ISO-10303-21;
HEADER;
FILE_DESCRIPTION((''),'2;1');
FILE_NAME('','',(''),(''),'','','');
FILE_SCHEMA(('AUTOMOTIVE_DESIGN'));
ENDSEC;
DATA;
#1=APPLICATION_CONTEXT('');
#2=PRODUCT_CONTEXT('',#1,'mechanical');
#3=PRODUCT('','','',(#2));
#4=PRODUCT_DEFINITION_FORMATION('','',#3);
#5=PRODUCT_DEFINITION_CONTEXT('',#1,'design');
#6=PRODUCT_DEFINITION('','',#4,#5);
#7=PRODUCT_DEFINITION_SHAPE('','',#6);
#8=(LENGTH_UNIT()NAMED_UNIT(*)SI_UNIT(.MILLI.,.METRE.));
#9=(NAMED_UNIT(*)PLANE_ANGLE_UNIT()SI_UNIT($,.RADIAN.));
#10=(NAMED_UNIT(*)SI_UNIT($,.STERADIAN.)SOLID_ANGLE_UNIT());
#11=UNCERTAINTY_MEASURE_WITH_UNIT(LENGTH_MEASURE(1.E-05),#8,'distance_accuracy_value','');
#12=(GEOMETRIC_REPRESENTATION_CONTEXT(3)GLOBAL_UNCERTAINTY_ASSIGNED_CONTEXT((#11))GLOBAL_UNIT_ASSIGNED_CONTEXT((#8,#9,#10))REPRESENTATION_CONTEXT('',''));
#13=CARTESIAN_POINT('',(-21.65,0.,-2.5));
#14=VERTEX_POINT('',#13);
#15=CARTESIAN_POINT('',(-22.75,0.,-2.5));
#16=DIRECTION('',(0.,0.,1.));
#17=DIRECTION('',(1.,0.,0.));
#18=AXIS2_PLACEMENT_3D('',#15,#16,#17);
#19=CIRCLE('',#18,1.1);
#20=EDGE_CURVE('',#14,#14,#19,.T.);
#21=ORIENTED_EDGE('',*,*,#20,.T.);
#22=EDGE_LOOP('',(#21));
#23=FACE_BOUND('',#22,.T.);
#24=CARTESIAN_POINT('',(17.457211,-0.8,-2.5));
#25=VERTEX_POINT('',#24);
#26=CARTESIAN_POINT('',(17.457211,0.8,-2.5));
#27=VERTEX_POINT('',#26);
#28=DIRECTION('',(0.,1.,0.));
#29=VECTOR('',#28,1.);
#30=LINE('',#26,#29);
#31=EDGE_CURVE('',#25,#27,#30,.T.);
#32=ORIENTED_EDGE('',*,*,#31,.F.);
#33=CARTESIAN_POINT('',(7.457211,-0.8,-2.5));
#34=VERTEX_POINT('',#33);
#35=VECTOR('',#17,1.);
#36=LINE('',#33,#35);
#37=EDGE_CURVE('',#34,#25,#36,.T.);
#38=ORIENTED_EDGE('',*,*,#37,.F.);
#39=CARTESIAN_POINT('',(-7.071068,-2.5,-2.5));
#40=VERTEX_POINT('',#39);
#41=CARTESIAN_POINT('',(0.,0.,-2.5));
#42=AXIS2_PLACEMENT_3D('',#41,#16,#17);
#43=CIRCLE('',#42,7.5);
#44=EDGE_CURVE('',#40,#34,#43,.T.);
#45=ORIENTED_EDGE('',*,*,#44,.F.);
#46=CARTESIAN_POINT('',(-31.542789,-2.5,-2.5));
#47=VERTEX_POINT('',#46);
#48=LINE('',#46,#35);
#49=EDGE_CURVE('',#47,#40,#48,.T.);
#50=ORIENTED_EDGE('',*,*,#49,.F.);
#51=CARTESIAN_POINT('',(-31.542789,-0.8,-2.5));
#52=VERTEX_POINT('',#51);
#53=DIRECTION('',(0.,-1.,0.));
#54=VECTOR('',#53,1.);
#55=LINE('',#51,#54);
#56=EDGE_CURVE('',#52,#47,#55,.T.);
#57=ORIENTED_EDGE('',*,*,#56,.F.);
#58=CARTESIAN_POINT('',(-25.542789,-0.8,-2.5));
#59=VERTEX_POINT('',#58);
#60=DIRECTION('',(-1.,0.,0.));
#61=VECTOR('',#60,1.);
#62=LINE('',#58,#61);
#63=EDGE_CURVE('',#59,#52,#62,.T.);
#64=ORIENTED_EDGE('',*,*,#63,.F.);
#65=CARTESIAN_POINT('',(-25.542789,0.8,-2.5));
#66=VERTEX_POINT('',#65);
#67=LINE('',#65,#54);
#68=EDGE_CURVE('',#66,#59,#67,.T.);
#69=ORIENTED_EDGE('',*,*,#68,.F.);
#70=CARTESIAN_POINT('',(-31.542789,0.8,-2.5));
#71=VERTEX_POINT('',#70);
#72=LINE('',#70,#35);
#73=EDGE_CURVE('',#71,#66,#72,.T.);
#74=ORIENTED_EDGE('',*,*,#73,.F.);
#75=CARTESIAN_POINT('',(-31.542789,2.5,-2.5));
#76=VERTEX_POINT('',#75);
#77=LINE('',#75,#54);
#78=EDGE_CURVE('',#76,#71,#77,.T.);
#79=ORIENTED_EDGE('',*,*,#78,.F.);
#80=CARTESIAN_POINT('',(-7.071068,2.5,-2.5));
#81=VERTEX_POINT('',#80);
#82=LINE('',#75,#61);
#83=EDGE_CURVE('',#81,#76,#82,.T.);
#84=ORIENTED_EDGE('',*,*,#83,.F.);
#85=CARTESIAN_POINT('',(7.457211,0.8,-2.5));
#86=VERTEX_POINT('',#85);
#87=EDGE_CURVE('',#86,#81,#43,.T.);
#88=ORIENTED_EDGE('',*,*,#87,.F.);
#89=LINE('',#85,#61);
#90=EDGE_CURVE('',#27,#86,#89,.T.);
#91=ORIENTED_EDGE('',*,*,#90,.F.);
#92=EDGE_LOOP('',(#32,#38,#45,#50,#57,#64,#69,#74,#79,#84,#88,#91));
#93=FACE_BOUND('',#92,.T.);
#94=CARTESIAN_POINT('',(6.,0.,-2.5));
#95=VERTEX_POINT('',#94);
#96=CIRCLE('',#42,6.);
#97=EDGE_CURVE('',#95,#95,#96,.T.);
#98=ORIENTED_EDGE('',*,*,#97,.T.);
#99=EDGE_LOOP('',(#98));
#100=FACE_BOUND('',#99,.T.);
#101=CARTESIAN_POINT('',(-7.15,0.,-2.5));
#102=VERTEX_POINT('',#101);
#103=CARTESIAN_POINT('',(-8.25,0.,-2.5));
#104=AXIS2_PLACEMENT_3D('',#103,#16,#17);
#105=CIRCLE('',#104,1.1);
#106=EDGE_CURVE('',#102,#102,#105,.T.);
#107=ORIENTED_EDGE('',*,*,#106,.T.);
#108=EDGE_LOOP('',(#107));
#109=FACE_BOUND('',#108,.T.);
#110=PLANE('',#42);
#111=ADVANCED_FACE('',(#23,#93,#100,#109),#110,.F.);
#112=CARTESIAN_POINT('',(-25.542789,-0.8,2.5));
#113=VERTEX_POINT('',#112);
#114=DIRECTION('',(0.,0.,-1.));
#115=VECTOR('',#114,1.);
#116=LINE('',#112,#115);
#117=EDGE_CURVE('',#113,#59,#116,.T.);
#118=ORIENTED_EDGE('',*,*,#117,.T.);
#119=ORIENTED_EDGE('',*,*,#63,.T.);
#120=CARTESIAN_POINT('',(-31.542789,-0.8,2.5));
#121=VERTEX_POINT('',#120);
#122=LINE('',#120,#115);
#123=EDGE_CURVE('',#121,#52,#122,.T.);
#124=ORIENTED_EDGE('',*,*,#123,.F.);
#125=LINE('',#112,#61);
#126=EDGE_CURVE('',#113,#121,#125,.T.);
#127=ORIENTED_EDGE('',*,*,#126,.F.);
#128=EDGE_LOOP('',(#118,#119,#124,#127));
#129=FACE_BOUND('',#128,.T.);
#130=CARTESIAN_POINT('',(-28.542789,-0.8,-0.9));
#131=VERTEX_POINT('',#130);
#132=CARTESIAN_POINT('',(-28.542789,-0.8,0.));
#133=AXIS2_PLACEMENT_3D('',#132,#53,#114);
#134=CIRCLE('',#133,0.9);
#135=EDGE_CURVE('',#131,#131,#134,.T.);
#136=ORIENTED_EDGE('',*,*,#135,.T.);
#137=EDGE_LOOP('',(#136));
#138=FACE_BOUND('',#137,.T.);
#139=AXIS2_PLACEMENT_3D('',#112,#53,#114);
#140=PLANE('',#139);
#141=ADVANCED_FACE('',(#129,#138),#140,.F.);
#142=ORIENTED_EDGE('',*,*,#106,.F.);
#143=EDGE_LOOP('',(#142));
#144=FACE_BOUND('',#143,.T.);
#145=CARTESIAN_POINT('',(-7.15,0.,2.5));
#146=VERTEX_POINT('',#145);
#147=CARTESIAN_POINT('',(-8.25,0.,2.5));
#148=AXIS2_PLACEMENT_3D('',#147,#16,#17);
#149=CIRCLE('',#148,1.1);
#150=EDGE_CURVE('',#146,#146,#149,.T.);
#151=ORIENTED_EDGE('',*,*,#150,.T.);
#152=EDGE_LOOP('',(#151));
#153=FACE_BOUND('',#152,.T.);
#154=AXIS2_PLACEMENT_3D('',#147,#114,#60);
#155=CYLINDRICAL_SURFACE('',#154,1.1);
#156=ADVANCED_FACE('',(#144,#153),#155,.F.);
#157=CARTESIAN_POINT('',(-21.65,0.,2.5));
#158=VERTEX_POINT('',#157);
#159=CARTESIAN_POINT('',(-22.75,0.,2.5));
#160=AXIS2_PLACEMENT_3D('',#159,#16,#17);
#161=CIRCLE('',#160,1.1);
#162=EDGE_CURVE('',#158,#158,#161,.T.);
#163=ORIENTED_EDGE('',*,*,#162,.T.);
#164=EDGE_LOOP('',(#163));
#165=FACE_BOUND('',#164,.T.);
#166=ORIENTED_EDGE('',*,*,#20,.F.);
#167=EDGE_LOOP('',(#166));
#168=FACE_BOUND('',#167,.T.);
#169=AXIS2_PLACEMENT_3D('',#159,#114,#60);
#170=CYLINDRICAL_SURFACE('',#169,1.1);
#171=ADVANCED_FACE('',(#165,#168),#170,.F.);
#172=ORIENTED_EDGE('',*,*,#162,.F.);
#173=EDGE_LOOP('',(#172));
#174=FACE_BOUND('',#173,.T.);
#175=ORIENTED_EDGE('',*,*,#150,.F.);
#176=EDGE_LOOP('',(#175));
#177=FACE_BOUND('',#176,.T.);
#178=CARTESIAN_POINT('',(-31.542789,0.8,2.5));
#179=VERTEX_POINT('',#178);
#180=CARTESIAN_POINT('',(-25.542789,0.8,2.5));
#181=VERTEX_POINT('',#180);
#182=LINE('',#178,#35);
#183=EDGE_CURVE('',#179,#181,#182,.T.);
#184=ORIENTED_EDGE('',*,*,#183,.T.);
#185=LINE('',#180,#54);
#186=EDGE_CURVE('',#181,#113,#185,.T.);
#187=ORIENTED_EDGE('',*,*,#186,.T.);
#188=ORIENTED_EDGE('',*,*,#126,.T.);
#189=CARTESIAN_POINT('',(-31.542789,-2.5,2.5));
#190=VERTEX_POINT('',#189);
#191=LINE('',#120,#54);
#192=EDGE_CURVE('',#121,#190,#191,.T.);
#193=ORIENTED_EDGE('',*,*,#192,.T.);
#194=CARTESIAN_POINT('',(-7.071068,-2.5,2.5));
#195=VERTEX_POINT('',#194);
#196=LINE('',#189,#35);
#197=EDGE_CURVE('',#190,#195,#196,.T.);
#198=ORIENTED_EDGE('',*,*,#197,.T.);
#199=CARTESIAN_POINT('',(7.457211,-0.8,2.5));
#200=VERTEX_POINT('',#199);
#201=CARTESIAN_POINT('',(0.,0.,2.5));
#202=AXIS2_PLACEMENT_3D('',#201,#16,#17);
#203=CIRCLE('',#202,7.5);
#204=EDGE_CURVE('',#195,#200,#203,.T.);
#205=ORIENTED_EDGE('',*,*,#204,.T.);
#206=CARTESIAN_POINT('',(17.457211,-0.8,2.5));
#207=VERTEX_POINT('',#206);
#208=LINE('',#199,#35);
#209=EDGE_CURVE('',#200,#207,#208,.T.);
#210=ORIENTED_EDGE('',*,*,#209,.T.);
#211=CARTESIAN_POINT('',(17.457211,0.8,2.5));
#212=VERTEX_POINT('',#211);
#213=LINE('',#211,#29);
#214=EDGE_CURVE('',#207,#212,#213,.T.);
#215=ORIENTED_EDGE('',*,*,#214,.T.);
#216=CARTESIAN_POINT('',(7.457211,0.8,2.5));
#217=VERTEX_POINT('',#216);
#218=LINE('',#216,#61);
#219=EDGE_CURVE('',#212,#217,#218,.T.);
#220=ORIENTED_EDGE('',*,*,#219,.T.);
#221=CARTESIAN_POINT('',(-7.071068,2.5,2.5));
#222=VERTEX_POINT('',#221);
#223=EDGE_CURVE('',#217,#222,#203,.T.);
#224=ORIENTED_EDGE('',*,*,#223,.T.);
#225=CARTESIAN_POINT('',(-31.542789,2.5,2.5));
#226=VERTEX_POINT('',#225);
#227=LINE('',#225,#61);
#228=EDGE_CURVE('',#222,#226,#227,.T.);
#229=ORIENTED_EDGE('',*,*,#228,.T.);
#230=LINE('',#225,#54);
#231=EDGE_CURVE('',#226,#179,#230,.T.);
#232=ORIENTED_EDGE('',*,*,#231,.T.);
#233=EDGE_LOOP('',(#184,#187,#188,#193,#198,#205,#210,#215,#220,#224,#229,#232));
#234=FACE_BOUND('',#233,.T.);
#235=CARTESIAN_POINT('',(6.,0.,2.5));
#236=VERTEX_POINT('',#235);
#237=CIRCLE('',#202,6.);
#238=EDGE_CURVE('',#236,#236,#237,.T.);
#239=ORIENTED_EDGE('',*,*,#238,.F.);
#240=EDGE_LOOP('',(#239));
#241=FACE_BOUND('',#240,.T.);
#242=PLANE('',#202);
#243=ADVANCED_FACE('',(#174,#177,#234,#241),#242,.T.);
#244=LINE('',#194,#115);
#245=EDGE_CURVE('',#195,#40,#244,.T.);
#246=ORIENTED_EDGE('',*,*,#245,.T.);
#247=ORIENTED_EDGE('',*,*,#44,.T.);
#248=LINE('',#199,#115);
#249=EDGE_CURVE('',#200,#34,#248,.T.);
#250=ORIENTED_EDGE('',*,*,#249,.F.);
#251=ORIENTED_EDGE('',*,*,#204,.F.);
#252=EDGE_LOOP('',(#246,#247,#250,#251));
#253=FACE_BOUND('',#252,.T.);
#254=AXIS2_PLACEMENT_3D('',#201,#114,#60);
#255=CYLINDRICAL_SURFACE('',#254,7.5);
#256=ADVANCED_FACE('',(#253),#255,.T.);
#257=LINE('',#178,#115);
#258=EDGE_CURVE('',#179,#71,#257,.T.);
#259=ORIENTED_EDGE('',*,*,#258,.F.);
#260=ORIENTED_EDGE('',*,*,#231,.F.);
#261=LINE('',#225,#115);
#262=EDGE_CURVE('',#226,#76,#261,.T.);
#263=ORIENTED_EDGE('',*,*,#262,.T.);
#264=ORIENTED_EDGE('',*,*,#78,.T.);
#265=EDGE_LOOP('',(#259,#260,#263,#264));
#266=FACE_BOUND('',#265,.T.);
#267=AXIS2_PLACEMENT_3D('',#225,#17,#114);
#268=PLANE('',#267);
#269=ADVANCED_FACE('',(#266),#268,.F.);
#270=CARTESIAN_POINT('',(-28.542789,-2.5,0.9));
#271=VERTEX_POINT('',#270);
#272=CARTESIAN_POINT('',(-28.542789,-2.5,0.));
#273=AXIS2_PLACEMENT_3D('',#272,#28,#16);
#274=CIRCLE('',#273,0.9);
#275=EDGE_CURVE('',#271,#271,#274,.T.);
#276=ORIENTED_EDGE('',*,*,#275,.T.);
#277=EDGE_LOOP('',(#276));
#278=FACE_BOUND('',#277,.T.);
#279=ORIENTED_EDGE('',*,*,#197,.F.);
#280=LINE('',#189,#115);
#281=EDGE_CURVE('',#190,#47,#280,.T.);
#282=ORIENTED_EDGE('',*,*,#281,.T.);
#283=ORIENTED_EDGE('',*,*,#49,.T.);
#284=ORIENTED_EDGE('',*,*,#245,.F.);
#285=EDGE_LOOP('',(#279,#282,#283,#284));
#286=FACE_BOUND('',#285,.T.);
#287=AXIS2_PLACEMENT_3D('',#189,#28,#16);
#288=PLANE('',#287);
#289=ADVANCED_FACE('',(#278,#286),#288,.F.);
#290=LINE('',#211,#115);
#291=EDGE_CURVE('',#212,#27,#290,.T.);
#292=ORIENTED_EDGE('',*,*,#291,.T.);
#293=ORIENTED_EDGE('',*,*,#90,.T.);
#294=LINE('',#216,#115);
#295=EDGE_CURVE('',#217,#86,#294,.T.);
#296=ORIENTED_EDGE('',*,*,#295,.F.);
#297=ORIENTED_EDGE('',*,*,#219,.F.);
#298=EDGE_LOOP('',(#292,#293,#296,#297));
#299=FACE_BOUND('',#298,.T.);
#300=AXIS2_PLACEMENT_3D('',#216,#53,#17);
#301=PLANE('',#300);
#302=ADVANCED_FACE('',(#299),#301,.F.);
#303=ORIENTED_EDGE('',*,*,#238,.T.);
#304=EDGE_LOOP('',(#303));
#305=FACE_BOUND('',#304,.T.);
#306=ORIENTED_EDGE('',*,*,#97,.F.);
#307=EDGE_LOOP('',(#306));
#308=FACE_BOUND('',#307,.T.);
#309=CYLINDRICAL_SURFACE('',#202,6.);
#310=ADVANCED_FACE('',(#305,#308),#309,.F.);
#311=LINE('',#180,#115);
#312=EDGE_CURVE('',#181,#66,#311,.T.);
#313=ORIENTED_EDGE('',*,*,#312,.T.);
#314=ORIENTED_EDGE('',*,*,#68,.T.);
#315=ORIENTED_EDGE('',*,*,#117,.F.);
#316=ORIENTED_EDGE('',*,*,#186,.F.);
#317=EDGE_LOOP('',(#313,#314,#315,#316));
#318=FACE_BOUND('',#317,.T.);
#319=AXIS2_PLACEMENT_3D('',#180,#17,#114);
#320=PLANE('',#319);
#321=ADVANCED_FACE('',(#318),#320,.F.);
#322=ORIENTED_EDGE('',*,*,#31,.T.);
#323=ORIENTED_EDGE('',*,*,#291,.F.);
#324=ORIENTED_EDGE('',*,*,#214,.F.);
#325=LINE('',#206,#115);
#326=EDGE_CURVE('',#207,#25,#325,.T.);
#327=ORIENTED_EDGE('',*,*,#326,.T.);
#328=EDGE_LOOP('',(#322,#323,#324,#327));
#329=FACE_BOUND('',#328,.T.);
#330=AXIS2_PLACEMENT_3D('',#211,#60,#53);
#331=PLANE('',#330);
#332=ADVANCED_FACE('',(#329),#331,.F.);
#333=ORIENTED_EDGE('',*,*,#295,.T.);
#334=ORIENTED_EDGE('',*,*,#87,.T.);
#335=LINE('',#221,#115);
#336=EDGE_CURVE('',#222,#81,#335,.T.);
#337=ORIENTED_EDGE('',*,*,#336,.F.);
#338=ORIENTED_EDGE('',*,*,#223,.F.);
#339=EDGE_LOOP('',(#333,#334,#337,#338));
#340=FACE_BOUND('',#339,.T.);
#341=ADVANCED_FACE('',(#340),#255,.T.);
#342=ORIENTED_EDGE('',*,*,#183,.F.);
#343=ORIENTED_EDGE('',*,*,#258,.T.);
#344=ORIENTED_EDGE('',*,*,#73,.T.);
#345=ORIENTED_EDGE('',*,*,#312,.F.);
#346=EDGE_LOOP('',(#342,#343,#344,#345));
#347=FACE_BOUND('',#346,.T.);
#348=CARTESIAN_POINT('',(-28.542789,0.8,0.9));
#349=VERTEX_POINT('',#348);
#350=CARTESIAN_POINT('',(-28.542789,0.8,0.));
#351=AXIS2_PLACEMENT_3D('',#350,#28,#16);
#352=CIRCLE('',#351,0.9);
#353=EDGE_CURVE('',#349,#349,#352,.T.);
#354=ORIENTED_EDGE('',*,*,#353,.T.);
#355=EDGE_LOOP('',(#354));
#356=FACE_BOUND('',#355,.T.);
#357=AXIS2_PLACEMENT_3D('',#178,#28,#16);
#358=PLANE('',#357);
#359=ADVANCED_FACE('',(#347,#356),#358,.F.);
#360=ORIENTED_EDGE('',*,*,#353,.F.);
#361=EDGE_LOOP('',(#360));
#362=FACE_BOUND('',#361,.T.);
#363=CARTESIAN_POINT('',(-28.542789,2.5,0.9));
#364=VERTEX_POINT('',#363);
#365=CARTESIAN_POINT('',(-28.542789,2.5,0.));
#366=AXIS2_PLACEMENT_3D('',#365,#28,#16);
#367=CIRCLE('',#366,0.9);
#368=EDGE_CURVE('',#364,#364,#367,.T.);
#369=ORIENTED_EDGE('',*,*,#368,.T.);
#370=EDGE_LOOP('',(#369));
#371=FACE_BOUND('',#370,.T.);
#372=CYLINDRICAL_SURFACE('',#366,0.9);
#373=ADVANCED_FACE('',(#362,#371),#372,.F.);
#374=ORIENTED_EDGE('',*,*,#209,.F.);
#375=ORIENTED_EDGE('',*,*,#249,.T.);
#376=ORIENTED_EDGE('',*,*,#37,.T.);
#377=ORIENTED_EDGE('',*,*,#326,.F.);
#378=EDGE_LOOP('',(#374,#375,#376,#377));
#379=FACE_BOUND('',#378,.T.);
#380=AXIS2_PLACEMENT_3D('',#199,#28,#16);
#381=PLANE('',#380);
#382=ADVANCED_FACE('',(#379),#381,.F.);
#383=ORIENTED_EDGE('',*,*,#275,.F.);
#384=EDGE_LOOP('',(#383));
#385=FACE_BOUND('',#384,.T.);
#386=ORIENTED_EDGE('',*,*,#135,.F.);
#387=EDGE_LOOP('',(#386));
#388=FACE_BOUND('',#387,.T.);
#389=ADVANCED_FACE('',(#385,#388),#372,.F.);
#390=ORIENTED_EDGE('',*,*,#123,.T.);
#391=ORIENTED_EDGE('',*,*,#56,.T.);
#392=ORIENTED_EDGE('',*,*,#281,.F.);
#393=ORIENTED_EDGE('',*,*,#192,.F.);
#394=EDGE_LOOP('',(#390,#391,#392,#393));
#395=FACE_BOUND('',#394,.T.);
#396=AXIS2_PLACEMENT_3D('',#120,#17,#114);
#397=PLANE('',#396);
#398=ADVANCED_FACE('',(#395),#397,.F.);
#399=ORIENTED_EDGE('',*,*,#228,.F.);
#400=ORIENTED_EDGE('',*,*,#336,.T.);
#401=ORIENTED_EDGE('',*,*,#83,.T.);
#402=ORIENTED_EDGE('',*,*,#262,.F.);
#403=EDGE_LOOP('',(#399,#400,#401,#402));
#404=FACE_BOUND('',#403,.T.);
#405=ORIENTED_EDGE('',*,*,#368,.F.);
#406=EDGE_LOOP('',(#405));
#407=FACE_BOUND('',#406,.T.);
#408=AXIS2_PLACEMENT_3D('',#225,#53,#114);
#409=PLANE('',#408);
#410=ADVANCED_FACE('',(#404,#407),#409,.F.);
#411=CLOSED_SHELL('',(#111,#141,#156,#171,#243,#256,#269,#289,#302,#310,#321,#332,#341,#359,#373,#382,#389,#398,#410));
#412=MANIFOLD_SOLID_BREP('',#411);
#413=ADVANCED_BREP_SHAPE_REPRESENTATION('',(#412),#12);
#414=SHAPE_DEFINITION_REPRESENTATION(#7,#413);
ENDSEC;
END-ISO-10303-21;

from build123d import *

# Parameters (mm, degrees)
BOSS_EXTRUDE1_DEPTH          = 2.5
TAP_DRILL_FOR_M12X1_5_TAP1_D = 12
HOLE1_D                      = 1.8
SKETCH7_R                    = 1.1
CUT_EXTRUDE1_DEPTH           = 33.805449556


with BuildPart() as part:
    # Sketch1 → Boss-Extrude1 (new, symmetric)
    with BuildSketch(Plane.XY):
        with BuildLine():
            Line((-31.542788725, 2.5), (-7.071067812, 2.5))
            ThreePointArc((-7.071067812, 2.5), (0.871651704, 7.449176015), (7.457211275, 0.8))
            Line((7.457211275, 0.8), (17.457211275, 0.8))
            Line((17.457211275, 0.8), (17.457211275, -0.8))
            Line((17.457211275, -0.8), (7.457211275, -0.8))
            ThreePointArc((7.457211275, -0.8), (0.871651704, -7.449176015), (-7.071067812, -2.5))
            Line((-7.071067812, -2.5), (-31.542788725, -2.5))
            Line((-31.542788725, -2.5), (-31.542788725, -0.8))
            Line((-31.542788725, -0.8), (-25.542788725, -0.8))
            Line((-25.542788725, -0.8), (-25.542788725, 0.8))
            Line((-25.542788725, 0.8), (-31.542788725, 0.8))
            Line((-31.542788725, 0.8), (-31.542788725, 2.5))
        make_face()
    extrude(amount=BOSS_EXTRUDE1_DEPTH, both=True)

    # Tap Drill for M12x1.5 Tap1 (through all)
    with Locations(Plane.XY.offset(2.5)):
        with Locations((0, 0)):
            Hole(TAP_DRILL_FOR_M12X1_5_TAP1_D / 2)

    # Hole1 (through all)
    with Locations(Plane(origin=(0, 2.5, 0), x_dir=(1, 0, 0), z_dir=(0, 1, 0))):
        with Locations((-28.542788725, 0)):
            Hole(HOLE1_D / 2)

    # Sketch7 → Cut-Extrude1 (cut, through all)
    with BuildSketch(Plane.XY.offset(-2.5)):
        with Locations((-8.25, 0)):
            Circle(SKETCH7_R)
        with Locations((-22.75, 0)):
            Circle(SKETCH7_R)
    extrude(amount=CUT_EXTRUDE1_DEPTH, mode=Mode.SUBTRACT)


solid = part.part
